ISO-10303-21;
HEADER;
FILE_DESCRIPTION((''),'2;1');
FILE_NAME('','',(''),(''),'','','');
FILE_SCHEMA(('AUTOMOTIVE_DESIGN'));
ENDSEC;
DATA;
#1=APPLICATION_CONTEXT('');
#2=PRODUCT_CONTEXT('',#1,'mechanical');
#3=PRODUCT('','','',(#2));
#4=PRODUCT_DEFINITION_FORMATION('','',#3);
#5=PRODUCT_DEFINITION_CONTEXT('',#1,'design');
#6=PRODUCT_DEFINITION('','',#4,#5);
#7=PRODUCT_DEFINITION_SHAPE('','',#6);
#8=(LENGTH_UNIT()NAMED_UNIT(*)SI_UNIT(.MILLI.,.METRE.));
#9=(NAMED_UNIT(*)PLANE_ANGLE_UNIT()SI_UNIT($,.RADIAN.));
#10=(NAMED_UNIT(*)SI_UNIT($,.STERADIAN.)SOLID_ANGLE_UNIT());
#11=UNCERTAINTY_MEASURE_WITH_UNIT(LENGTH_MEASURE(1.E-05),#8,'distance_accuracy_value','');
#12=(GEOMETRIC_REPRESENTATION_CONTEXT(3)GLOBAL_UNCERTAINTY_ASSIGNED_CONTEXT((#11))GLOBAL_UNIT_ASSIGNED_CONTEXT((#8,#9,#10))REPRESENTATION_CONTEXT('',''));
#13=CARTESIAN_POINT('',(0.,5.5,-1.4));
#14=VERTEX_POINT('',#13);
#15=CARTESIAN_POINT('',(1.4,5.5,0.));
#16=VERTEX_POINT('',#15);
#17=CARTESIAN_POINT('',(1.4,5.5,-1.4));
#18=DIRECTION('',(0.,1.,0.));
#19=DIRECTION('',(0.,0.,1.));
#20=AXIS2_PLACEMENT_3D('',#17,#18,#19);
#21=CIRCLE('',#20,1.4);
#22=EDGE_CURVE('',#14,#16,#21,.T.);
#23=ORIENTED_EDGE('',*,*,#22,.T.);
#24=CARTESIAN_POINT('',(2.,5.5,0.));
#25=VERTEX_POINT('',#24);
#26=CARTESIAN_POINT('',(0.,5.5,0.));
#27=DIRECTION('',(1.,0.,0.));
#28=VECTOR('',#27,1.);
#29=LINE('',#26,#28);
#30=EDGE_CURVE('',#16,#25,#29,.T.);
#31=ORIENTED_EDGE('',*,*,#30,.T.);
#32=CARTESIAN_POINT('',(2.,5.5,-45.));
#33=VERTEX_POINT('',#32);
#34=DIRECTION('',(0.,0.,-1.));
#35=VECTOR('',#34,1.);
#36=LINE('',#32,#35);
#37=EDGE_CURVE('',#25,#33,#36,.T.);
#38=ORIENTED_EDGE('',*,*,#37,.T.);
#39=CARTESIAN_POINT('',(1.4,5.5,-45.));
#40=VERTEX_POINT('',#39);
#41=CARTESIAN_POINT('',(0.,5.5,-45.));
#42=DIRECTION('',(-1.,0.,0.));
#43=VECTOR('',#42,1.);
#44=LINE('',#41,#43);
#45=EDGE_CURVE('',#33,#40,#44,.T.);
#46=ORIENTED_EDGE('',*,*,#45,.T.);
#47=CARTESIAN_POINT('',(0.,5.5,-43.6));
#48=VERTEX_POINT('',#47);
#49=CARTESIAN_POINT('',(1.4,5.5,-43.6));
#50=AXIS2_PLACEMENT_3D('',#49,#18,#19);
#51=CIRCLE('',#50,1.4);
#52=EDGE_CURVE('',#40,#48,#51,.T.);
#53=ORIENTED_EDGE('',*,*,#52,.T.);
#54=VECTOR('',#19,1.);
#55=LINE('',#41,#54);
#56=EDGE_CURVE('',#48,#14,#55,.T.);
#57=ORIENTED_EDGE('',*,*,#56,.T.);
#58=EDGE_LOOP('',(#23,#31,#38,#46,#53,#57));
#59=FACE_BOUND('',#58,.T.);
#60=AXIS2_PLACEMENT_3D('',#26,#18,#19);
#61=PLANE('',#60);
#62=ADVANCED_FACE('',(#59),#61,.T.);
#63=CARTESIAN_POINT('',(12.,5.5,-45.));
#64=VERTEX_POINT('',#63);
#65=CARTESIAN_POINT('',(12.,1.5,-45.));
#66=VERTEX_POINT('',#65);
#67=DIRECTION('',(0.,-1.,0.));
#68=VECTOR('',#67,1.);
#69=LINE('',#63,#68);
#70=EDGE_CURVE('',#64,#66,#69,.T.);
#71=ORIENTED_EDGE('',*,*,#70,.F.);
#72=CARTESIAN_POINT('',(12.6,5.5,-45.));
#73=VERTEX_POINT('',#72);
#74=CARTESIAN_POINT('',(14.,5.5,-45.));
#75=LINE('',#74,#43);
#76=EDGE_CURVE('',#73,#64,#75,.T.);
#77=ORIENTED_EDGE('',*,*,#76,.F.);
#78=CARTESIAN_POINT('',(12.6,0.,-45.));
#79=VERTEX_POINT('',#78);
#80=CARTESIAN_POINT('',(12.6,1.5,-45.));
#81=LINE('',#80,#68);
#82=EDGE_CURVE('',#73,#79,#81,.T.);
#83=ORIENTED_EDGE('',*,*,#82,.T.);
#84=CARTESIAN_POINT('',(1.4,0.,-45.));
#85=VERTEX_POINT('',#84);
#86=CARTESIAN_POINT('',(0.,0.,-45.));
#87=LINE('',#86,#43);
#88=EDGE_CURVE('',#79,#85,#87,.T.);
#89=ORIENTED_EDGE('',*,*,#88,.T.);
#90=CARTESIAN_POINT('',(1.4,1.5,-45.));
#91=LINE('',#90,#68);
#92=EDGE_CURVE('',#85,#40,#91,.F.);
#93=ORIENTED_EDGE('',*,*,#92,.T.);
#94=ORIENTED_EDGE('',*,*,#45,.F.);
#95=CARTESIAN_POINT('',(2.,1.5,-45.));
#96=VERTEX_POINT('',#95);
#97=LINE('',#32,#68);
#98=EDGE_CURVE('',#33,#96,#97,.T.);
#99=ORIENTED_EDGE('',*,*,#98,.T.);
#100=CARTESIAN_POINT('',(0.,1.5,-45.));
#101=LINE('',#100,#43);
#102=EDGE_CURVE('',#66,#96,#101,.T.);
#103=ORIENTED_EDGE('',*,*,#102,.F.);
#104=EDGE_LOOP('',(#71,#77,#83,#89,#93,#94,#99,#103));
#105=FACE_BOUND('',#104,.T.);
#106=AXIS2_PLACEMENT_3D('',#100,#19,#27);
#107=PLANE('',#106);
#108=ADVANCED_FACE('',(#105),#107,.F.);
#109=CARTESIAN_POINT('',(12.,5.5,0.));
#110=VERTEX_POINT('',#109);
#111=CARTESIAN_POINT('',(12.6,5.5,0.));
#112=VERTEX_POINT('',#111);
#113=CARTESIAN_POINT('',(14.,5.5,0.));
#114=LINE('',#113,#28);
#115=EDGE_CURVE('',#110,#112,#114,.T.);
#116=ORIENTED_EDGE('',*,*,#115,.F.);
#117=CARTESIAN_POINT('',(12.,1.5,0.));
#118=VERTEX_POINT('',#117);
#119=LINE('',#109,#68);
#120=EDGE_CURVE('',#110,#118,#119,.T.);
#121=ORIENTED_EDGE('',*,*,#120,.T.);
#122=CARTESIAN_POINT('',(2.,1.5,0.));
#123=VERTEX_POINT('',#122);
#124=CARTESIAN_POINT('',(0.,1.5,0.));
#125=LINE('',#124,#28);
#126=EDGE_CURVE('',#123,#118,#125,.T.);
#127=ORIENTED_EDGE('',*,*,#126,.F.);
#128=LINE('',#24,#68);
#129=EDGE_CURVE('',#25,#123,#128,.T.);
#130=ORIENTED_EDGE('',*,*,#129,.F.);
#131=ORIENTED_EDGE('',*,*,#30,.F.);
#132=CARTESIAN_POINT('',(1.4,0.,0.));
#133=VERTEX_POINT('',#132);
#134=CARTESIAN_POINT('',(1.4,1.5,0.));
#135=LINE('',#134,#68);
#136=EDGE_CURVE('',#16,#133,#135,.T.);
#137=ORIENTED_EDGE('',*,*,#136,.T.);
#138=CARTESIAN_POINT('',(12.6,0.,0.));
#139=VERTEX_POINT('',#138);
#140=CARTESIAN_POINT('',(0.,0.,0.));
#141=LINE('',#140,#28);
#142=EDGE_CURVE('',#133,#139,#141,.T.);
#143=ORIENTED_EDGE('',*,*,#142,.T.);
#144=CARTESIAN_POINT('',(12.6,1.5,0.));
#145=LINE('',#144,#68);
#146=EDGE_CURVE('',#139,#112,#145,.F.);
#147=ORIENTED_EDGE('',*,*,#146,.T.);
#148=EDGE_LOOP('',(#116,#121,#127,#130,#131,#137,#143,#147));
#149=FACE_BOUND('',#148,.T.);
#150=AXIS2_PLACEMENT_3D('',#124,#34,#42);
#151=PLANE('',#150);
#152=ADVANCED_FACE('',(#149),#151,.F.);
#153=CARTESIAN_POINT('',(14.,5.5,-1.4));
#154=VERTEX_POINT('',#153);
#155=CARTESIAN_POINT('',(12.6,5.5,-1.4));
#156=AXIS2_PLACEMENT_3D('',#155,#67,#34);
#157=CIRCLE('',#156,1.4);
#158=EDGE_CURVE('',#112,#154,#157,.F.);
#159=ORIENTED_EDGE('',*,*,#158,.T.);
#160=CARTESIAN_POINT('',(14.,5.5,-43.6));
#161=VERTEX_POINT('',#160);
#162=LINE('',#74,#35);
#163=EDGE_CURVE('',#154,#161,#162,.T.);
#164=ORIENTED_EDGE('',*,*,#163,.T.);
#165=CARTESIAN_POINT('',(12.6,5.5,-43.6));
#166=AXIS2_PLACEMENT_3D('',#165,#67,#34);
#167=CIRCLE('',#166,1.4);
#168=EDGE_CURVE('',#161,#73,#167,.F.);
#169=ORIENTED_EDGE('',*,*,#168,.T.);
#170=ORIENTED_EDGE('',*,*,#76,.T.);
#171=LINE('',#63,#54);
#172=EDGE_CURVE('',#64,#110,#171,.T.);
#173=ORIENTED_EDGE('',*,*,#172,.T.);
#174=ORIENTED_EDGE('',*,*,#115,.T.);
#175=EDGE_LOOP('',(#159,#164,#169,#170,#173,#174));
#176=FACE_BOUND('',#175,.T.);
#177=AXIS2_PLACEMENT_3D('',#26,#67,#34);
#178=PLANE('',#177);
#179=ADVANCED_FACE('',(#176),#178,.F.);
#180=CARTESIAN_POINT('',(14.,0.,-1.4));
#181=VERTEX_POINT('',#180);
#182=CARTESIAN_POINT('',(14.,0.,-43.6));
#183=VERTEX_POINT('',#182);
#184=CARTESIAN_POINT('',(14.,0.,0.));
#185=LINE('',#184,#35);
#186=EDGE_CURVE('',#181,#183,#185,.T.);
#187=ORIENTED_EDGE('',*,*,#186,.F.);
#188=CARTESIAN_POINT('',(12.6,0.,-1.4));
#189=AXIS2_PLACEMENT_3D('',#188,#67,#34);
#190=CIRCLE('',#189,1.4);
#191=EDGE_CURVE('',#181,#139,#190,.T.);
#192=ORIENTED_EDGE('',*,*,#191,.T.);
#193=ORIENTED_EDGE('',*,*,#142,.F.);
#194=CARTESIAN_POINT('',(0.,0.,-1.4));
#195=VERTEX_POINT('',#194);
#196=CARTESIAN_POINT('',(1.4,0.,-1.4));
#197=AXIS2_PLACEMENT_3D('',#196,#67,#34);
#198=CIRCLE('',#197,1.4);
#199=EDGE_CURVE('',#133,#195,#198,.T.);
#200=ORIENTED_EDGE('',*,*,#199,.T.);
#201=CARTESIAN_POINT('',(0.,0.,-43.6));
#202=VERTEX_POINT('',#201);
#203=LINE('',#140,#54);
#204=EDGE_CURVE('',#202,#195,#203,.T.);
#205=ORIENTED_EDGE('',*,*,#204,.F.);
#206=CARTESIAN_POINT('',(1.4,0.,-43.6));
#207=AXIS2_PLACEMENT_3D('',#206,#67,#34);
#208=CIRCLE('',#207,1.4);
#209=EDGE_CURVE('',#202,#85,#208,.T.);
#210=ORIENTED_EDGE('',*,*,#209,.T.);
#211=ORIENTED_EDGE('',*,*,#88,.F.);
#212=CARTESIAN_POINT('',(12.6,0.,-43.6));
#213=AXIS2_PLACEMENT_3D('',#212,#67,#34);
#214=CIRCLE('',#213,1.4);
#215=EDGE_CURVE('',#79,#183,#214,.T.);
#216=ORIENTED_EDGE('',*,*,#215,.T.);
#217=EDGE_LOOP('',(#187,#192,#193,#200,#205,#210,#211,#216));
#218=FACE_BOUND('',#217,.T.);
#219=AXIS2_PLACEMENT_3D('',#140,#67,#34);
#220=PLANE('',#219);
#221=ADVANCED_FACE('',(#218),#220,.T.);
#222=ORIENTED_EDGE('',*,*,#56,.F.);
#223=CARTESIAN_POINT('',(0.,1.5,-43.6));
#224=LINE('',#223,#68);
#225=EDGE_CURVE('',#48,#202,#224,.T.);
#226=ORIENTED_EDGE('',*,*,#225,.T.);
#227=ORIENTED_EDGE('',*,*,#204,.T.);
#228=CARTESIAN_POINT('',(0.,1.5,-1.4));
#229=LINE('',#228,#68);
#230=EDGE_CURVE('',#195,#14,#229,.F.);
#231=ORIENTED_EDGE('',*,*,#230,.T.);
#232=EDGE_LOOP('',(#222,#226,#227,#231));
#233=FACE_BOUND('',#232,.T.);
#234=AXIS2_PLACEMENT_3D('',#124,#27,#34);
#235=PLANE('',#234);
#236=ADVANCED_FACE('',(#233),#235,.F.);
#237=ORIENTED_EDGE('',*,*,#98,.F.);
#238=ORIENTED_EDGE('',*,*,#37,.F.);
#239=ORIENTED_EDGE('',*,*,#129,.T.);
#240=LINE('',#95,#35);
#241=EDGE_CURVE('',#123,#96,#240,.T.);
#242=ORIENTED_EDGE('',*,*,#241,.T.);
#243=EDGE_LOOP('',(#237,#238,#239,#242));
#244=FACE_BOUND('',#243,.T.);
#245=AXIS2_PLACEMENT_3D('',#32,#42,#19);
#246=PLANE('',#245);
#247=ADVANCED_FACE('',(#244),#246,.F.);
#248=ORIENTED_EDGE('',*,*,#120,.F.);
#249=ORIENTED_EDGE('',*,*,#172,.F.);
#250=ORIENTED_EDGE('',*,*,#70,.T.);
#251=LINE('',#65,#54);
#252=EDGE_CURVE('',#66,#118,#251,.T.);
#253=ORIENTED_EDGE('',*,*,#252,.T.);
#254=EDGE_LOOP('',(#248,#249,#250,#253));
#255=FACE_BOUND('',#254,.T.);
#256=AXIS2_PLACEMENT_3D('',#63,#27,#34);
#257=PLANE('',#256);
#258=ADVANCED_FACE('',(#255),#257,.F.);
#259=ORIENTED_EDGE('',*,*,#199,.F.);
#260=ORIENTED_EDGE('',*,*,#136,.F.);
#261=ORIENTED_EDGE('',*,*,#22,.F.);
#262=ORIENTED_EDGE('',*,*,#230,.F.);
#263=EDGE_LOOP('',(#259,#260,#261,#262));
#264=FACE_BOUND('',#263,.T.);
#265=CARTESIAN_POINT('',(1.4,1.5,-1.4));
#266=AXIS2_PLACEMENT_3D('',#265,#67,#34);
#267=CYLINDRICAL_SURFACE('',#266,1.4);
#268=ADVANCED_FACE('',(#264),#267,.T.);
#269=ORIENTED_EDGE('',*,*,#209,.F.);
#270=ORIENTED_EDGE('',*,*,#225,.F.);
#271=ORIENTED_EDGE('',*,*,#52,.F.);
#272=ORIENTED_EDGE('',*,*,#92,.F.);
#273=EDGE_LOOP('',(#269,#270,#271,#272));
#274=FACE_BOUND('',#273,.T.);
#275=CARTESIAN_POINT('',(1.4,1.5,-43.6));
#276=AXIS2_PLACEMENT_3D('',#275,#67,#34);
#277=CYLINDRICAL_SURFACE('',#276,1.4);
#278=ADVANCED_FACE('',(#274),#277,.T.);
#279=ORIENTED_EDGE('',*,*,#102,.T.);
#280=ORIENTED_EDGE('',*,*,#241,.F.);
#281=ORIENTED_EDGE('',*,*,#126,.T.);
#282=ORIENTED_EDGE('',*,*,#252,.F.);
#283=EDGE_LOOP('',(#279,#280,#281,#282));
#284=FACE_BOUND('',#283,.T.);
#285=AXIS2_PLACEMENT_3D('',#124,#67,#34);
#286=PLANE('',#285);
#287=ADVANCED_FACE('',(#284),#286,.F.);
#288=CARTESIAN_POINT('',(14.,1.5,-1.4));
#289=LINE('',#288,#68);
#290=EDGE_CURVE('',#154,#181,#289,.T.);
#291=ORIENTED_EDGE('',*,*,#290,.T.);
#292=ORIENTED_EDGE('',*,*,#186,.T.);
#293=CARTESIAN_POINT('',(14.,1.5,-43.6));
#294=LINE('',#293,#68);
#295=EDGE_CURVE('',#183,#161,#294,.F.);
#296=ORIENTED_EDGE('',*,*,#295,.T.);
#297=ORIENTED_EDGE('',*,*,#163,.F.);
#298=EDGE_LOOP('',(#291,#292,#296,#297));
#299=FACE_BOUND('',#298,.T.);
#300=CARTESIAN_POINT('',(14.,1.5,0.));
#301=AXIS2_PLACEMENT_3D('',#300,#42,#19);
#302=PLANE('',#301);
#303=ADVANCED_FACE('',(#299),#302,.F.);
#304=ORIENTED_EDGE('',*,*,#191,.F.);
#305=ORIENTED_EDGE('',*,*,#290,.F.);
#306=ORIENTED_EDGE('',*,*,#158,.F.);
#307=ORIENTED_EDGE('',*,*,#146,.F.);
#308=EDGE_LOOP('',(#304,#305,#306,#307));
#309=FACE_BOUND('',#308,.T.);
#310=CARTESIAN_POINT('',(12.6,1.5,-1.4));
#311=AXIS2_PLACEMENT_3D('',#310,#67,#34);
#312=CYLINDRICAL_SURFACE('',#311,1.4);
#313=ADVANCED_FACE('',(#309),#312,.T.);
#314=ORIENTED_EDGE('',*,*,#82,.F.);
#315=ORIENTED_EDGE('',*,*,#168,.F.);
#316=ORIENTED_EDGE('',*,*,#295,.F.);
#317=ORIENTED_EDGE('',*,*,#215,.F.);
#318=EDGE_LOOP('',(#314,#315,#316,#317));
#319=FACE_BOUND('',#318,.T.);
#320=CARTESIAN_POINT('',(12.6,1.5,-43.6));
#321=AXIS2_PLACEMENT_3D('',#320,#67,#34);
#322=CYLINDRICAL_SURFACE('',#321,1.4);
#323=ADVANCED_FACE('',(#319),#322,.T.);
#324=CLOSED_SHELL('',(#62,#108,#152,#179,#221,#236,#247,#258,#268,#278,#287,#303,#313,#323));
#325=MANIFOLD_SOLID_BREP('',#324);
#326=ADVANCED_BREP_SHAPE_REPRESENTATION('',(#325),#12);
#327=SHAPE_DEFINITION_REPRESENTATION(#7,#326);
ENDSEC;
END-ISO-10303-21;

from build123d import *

# Parameters (mm, degrees)
SKETCH_1_W      = 14
SKETCH_1_H      = 45
EXTRUDE_1_DEPTH = 1.5
SKETCH_2_W      = 2
SKETCH_2_H      = 45
EXTRUDE_2_DEPTH = 4
FILLET_1_R      = 1.4


with BuildPart() as part:
    # 草图1 → 凸台-拉伸1 (new body)
    with BuildSketch(Plane(origin=(0, 0, 0), x_dir=(1, 0, 0), z_dir=(0, 1, 0))):
        with Locations((7, 22.5)):
            Rectangle(SKETCH_1_W, SKETCH_1_H)
    extrude(amount=EXTRUDE_1_DEPTH)

    # 草图2 → 凸台-拉伸2 (add)
    with BuildSketch(Plane(origin=(0, 1.5, 0), x_dir=(1, 0, 0), z_dir=(0, 1, 0))):
        with Locations((1, 22.5)):
            Rectangle(SKETCH_2_W, SKETCH_2_H)
        with Locations((13, 22.5)):
            Rectangle(SKETCH_2_W, SKETCH_2_H)
    extrude(amount=EXTRUDE_2_DEPTH)

    # 圆角1
    fillet_1_edges = [part.edges().sort_by_distance(p)[0] for p in [
        (0, 2.75, -45),
        (14, 2.75, -45),
        (14, 2.75, 0),
        (0, 2.75, 0),
    ]]
    fillet(fillet_1_edges, radius=FILLET_1_R)


solid = part.part
